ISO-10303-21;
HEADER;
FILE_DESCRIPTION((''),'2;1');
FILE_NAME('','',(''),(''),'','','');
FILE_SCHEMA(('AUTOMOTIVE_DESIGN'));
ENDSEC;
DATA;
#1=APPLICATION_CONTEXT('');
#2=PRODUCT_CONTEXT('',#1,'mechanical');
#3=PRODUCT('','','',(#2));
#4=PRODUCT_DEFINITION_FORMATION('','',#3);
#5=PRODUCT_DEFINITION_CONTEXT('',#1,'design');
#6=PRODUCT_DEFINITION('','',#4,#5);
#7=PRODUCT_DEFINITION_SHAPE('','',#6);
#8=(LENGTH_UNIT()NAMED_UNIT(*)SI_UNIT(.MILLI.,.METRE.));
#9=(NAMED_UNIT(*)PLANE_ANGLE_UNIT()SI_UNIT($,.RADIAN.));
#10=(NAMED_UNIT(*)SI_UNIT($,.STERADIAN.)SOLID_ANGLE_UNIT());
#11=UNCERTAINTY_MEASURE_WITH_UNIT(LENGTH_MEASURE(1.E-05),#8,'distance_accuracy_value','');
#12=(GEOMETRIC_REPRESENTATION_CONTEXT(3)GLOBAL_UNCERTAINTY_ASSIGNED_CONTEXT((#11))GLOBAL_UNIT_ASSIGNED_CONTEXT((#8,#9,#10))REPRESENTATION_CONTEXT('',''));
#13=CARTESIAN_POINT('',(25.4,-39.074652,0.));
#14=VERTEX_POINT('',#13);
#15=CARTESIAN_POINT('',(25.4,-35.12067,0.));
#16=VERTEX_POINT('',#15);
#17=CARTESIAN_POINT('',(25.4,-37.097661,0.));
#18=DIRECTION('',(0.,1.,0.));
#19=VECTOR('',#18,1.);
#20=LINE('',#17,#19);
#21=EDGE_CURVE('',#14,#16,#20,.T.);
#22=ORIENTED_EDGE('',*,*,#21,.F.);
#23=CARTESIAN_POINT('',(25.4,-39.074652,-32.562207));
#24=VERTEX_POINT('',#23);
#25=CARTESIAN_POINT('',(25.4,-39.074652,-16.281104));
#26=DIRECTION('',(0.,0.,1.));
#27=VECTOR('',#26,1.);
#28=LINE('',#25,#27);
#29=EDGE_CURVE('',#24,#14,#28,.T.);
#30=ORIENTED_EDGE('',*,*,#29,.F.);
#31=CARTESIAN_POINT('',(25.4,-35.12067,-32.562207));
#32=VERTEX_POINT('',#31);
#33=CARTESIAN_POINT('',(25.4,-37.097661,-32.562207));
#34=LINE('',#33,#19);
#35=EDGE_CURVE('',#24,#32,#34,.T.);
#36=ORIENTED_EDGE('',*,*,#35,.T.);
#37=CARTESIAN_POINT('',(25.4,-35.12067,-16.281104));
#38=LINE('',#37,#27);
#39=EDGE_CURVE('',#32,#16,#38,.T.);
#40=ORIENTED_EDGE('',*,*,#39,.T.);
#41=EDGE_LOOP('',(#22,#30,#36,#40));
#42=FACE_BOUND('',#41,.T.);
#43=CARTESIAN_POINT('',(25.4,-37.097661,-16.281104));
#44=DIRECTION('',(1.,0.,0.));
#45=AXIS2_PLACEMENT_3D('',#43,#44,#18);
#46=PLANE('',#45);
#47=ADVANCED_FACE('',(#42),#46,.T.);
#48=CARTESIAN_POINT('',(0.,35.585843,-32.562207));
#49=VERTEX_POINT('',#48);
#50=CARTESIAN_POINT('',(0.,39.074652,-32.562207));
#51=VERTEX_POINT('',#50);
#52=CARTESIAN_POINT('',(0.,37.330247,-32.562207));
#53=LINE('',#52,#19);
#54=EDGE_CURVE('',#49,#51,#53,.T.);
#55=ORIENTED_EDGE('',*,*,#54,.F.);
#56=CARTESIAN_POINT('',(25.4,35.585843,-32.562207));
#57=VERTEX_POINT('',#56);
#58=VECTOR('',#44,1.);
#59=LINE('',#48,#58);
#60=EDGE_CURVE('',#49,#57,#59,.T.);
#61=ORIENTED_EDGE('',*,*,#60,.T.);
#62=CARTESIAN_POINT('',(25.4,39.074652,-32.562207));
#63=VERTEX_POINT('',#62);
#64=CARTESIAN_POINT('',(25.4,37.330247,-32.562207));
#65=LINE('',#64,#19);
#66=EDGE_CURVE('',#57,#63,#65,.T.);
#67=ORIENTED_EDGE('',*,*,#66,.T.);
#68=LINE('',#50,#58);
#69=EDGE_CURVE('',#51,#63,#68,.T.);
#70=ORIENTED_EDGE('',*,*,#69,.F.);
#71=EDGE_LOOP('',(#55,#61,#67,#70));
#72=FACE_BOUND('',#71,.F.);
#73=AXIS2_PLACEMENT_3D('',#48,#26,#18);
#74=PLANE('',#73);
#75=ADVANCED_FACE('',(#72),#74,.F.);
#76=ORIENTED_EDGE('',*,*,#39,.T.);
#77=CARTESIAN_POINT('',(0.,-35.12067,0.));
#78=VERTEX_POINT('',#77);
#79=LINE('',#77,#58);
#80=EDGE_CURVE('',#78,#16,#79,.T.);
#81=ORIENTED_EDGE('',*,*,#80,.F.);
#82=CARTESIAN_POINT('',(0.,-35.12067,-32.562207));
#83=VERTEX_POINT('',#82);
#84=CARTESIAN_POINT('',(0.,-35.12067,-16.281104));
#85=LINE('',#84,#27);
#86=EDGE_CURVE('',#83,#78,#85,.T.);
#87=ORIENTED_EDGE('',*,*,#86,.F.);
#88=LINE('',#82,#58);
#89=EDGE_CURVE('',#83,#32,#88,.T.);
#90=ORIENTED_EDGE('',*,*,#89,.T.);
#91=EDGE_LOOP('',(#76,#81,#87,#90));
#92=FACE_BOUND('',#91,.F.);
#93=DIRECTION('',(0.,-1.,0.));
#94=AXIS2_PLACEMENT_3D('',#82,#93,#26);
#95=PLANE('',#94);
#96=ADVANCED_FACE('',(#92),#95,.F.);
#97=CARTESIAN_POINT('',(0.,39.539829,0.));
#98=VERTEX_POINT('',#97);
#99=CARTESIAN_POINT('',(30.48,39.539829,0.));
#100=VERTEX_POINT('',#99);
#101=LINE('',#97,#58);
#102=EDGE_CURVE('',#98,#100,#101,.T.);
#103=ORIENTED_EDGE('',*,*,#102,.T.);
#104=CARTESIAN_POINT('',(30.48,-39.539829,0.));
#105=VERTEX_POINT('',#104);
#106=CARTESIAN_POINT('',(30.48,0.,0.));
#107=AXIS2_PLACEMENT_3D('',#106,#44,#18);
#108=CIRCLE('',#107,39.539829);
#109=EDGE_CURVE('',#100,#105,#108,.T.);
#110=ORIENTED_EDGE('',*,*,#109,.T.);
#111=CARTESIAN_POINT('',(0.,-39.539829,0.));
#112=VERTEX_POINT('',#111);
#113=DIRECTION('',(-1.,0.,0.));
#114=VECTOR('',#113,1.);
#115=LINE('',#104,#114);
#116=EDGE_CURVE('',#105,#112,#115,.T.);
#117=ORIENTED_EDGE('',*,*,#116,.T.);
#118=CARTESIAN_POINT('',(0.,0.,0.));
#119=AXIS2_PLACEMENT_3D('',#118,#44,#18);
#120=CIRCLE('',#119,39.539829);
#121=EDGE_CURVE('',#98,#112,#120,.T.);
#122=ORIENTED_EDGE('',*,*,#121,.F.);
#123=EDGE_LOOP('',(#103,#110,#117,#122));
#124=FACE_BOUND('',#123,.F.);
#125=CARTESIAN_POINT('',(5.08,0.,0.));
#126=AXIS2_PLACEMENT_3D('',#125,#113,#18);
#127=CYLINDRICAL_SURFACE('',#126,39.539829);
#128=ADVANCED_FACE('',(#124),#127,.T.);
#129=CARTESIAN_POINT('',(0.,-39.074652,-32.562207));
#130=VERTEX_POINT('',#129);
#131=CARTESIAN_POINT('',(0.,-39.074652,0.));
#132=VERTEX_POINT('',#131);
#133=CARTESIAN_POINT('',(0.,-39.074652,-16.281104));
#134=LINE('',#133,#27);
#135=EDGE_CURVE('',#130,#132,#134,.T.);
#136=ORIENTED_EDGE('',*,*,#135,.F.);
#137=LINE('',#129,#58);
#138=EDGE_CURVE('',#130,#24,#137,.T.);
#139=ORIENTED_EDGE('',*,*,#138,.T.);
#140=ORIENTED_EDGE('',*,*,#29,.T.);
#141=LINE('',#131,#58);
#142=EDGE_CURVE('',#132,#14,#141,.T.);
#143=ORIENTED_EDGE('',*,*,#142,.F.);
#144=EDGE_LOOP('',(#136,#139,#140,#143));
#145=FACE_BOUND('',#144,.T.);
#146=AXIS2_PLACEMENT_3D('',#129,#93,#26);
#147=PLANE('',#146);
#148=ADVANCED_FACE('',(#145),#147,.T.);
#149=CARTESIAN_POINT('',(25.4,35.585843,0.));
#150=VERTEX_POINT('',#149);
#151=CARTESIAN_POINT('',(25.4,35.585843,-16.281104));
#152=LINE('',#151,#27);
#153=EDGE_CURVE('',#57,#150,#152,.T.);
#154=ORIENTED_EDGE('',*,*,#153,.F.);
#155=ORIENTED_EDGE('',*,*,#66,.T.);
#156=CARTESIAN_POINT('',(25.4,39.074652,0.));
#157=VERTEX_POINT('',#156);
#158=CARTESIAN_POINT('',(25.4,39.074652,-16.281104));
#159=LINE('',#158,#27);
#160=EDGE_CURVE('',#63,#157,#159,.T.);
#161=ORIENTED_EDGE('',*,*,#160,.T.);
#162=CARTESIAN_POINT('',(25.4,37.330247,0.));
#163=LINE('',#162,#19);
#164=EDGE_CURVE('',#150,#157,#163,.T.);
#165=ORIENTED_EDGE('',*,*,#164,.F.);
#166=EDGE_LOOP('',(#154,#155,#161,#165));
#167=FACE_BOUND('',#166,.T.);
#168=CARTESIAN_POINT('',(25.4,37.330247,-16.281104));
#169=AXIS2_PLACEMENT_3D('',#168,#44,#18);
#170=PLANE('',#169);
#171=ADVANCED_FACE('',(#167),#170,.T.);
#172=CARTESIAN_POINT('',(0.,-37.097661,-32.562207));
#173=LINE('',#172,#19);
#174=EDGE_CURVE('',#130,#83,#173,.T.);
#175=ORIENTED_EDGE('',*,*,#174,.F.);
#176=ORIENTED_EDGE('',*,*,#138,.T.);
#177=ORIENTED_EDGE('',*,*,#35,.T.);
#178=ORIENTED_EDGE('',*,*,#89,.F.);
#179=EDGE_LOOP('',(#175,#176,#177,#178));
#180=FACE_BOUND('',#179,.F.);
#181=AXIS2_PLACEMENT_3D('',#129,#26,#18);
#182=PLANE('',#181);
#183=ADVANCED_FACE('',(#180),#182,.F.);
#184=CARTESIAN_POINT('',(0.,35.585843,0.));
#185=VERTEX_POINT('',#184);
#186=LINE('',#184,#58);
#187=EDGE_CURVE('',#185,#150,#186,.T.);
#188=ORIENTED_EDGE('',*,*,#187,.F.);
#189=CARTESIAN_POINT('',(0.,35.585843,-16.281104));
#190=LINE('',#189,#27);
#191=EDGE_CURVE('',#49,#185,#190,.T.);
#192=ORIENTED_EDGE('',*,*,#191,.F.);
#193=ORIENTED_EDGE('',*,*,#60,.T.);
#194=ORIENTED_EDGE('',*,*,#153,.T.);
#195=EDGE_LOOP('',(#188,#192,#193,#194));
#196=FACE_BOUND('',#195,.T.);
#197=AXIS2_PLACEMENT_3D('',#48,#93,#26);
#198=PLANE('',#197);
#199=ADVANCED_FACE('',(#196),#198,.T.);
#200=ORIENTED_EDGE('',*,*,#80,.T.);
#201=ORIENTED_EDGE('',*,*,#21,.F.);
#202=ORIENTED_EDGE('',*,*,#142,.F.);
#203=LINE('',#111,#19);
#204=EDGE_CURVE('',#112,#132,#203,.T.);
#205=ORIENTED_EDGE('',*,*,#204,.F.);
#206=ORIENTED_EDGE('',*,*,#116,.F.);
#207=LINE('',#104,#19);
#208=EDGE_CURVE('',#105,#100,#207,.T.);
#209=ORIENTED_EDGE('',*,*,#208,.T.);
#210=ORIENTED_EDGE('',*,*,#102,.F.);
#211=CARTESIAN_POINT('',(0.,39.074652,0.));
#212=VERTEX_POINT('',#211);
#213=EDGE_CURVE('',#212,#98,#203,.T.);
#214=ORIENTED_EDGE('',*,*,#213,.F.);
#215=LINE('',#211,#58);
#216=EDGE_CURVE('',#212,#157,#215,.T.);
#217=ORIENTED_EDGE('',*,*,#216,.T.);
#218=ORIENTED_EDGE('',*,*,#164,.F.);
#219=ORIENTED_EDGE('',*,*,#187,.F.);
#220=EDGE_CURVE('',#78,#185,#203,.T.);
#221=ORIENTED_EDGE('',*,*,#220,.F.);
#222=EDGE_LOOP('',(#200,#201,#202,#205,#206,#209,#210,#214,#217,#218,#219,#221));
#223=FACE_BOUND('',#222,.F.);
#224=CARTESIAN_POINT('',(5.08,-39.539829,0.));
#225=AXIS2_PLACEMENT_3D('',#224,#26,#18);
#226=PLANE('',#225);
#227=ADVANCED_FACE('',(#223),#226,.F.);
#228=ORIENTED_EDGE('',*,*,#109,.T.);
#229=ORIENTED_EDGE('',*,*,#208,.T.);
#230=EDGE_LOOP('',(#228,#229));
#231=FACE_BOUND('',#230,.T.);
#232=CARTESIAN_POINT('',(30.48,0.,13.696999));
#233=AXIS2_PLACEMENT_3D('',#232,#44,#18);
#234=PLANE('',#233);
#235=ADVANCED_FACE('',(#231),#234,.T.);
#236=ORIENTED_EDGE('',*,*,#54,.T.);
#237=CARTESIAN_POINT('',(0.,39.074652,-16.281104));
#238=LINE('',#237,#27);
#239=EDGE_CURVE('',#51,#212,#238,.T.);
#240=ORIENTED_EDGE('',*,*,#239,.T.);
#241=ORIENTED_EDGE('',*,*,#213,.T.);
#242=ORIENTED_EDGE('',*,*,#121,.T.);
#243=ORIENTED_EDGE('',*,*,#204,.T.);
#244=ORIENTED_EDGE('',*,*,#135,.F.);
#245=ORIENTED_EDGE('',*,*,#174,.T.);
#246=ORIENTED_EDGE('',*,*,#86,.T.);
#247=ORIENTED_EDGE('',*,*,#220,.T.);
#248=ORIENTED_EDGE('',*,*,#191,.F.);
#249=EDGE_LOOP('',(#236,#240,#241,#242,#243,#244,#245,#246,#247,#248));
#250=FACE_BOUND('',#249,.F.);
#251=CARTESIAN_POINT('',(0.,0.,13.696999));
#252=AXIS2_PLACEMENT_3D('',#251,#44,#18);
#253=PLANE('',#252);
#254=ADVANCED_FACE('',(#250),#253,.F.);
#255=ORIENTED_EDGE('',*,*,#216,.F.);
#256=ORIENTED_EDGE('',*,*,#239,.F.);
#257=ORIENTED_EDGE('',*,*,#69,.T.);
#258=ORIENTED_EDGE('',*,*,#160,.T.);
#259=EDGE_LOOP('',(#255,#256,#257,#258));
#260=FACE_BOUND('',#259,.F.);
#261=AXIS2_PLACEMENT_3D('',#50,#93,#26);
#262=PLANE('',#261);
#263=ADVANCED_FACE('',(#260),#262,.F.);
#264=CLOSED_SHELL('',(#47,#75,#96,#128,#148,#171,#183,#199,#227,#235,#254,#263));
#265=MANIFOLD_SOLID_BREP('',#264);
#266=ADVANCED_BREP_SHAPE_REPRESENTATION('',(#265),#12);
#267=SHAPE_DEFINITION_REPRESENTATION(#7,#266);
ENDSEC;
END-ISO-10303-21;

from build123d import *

# Parameters (mm, degrees)
F1_DEPTH = 5.08
F2_DEPTH = 25.4
F3_W     = 3.4888088703
F3_H     = 32.5622074306
F3_W_2   = 3.9539821446
F4_DEPTH = 25.4


with BuildPart() as f1:
    # F0 (on Right) → F1 (new body)
    with BuildSketch(Plane.YZ):
        with BuildLine():
            Line((-39.5398288965, 0), (39.5398288965, 0))
            ThreePointArc((39.5398288965, 0), (0, 39.5398288965), (-39.5398288965, 0))
        make_face()
    extrude(amount=F1_DEPTH)

    # F2 (add): a face of the model
    f2_faces = [f1.faces().sort_by_distance(p)[0] for p in [
        (5.08, 0, 16.781224581),
    ]]
    extrude(f2_faces, amount=F2_DEPTH)

    # F3 (on Right) → F4 (join)
    with BuildSketch(Plane.YZ):
        with Locations((37.3302474618, -16.2811037153)):
            Rectangle(F3_W, F3_H)
        with Locations((-37.0976608247, -16.2811037153)):
            Rectangle(F3_W_2, F3_H)
    extrude(amount=F4_DEPTH)


solid = f1.part
